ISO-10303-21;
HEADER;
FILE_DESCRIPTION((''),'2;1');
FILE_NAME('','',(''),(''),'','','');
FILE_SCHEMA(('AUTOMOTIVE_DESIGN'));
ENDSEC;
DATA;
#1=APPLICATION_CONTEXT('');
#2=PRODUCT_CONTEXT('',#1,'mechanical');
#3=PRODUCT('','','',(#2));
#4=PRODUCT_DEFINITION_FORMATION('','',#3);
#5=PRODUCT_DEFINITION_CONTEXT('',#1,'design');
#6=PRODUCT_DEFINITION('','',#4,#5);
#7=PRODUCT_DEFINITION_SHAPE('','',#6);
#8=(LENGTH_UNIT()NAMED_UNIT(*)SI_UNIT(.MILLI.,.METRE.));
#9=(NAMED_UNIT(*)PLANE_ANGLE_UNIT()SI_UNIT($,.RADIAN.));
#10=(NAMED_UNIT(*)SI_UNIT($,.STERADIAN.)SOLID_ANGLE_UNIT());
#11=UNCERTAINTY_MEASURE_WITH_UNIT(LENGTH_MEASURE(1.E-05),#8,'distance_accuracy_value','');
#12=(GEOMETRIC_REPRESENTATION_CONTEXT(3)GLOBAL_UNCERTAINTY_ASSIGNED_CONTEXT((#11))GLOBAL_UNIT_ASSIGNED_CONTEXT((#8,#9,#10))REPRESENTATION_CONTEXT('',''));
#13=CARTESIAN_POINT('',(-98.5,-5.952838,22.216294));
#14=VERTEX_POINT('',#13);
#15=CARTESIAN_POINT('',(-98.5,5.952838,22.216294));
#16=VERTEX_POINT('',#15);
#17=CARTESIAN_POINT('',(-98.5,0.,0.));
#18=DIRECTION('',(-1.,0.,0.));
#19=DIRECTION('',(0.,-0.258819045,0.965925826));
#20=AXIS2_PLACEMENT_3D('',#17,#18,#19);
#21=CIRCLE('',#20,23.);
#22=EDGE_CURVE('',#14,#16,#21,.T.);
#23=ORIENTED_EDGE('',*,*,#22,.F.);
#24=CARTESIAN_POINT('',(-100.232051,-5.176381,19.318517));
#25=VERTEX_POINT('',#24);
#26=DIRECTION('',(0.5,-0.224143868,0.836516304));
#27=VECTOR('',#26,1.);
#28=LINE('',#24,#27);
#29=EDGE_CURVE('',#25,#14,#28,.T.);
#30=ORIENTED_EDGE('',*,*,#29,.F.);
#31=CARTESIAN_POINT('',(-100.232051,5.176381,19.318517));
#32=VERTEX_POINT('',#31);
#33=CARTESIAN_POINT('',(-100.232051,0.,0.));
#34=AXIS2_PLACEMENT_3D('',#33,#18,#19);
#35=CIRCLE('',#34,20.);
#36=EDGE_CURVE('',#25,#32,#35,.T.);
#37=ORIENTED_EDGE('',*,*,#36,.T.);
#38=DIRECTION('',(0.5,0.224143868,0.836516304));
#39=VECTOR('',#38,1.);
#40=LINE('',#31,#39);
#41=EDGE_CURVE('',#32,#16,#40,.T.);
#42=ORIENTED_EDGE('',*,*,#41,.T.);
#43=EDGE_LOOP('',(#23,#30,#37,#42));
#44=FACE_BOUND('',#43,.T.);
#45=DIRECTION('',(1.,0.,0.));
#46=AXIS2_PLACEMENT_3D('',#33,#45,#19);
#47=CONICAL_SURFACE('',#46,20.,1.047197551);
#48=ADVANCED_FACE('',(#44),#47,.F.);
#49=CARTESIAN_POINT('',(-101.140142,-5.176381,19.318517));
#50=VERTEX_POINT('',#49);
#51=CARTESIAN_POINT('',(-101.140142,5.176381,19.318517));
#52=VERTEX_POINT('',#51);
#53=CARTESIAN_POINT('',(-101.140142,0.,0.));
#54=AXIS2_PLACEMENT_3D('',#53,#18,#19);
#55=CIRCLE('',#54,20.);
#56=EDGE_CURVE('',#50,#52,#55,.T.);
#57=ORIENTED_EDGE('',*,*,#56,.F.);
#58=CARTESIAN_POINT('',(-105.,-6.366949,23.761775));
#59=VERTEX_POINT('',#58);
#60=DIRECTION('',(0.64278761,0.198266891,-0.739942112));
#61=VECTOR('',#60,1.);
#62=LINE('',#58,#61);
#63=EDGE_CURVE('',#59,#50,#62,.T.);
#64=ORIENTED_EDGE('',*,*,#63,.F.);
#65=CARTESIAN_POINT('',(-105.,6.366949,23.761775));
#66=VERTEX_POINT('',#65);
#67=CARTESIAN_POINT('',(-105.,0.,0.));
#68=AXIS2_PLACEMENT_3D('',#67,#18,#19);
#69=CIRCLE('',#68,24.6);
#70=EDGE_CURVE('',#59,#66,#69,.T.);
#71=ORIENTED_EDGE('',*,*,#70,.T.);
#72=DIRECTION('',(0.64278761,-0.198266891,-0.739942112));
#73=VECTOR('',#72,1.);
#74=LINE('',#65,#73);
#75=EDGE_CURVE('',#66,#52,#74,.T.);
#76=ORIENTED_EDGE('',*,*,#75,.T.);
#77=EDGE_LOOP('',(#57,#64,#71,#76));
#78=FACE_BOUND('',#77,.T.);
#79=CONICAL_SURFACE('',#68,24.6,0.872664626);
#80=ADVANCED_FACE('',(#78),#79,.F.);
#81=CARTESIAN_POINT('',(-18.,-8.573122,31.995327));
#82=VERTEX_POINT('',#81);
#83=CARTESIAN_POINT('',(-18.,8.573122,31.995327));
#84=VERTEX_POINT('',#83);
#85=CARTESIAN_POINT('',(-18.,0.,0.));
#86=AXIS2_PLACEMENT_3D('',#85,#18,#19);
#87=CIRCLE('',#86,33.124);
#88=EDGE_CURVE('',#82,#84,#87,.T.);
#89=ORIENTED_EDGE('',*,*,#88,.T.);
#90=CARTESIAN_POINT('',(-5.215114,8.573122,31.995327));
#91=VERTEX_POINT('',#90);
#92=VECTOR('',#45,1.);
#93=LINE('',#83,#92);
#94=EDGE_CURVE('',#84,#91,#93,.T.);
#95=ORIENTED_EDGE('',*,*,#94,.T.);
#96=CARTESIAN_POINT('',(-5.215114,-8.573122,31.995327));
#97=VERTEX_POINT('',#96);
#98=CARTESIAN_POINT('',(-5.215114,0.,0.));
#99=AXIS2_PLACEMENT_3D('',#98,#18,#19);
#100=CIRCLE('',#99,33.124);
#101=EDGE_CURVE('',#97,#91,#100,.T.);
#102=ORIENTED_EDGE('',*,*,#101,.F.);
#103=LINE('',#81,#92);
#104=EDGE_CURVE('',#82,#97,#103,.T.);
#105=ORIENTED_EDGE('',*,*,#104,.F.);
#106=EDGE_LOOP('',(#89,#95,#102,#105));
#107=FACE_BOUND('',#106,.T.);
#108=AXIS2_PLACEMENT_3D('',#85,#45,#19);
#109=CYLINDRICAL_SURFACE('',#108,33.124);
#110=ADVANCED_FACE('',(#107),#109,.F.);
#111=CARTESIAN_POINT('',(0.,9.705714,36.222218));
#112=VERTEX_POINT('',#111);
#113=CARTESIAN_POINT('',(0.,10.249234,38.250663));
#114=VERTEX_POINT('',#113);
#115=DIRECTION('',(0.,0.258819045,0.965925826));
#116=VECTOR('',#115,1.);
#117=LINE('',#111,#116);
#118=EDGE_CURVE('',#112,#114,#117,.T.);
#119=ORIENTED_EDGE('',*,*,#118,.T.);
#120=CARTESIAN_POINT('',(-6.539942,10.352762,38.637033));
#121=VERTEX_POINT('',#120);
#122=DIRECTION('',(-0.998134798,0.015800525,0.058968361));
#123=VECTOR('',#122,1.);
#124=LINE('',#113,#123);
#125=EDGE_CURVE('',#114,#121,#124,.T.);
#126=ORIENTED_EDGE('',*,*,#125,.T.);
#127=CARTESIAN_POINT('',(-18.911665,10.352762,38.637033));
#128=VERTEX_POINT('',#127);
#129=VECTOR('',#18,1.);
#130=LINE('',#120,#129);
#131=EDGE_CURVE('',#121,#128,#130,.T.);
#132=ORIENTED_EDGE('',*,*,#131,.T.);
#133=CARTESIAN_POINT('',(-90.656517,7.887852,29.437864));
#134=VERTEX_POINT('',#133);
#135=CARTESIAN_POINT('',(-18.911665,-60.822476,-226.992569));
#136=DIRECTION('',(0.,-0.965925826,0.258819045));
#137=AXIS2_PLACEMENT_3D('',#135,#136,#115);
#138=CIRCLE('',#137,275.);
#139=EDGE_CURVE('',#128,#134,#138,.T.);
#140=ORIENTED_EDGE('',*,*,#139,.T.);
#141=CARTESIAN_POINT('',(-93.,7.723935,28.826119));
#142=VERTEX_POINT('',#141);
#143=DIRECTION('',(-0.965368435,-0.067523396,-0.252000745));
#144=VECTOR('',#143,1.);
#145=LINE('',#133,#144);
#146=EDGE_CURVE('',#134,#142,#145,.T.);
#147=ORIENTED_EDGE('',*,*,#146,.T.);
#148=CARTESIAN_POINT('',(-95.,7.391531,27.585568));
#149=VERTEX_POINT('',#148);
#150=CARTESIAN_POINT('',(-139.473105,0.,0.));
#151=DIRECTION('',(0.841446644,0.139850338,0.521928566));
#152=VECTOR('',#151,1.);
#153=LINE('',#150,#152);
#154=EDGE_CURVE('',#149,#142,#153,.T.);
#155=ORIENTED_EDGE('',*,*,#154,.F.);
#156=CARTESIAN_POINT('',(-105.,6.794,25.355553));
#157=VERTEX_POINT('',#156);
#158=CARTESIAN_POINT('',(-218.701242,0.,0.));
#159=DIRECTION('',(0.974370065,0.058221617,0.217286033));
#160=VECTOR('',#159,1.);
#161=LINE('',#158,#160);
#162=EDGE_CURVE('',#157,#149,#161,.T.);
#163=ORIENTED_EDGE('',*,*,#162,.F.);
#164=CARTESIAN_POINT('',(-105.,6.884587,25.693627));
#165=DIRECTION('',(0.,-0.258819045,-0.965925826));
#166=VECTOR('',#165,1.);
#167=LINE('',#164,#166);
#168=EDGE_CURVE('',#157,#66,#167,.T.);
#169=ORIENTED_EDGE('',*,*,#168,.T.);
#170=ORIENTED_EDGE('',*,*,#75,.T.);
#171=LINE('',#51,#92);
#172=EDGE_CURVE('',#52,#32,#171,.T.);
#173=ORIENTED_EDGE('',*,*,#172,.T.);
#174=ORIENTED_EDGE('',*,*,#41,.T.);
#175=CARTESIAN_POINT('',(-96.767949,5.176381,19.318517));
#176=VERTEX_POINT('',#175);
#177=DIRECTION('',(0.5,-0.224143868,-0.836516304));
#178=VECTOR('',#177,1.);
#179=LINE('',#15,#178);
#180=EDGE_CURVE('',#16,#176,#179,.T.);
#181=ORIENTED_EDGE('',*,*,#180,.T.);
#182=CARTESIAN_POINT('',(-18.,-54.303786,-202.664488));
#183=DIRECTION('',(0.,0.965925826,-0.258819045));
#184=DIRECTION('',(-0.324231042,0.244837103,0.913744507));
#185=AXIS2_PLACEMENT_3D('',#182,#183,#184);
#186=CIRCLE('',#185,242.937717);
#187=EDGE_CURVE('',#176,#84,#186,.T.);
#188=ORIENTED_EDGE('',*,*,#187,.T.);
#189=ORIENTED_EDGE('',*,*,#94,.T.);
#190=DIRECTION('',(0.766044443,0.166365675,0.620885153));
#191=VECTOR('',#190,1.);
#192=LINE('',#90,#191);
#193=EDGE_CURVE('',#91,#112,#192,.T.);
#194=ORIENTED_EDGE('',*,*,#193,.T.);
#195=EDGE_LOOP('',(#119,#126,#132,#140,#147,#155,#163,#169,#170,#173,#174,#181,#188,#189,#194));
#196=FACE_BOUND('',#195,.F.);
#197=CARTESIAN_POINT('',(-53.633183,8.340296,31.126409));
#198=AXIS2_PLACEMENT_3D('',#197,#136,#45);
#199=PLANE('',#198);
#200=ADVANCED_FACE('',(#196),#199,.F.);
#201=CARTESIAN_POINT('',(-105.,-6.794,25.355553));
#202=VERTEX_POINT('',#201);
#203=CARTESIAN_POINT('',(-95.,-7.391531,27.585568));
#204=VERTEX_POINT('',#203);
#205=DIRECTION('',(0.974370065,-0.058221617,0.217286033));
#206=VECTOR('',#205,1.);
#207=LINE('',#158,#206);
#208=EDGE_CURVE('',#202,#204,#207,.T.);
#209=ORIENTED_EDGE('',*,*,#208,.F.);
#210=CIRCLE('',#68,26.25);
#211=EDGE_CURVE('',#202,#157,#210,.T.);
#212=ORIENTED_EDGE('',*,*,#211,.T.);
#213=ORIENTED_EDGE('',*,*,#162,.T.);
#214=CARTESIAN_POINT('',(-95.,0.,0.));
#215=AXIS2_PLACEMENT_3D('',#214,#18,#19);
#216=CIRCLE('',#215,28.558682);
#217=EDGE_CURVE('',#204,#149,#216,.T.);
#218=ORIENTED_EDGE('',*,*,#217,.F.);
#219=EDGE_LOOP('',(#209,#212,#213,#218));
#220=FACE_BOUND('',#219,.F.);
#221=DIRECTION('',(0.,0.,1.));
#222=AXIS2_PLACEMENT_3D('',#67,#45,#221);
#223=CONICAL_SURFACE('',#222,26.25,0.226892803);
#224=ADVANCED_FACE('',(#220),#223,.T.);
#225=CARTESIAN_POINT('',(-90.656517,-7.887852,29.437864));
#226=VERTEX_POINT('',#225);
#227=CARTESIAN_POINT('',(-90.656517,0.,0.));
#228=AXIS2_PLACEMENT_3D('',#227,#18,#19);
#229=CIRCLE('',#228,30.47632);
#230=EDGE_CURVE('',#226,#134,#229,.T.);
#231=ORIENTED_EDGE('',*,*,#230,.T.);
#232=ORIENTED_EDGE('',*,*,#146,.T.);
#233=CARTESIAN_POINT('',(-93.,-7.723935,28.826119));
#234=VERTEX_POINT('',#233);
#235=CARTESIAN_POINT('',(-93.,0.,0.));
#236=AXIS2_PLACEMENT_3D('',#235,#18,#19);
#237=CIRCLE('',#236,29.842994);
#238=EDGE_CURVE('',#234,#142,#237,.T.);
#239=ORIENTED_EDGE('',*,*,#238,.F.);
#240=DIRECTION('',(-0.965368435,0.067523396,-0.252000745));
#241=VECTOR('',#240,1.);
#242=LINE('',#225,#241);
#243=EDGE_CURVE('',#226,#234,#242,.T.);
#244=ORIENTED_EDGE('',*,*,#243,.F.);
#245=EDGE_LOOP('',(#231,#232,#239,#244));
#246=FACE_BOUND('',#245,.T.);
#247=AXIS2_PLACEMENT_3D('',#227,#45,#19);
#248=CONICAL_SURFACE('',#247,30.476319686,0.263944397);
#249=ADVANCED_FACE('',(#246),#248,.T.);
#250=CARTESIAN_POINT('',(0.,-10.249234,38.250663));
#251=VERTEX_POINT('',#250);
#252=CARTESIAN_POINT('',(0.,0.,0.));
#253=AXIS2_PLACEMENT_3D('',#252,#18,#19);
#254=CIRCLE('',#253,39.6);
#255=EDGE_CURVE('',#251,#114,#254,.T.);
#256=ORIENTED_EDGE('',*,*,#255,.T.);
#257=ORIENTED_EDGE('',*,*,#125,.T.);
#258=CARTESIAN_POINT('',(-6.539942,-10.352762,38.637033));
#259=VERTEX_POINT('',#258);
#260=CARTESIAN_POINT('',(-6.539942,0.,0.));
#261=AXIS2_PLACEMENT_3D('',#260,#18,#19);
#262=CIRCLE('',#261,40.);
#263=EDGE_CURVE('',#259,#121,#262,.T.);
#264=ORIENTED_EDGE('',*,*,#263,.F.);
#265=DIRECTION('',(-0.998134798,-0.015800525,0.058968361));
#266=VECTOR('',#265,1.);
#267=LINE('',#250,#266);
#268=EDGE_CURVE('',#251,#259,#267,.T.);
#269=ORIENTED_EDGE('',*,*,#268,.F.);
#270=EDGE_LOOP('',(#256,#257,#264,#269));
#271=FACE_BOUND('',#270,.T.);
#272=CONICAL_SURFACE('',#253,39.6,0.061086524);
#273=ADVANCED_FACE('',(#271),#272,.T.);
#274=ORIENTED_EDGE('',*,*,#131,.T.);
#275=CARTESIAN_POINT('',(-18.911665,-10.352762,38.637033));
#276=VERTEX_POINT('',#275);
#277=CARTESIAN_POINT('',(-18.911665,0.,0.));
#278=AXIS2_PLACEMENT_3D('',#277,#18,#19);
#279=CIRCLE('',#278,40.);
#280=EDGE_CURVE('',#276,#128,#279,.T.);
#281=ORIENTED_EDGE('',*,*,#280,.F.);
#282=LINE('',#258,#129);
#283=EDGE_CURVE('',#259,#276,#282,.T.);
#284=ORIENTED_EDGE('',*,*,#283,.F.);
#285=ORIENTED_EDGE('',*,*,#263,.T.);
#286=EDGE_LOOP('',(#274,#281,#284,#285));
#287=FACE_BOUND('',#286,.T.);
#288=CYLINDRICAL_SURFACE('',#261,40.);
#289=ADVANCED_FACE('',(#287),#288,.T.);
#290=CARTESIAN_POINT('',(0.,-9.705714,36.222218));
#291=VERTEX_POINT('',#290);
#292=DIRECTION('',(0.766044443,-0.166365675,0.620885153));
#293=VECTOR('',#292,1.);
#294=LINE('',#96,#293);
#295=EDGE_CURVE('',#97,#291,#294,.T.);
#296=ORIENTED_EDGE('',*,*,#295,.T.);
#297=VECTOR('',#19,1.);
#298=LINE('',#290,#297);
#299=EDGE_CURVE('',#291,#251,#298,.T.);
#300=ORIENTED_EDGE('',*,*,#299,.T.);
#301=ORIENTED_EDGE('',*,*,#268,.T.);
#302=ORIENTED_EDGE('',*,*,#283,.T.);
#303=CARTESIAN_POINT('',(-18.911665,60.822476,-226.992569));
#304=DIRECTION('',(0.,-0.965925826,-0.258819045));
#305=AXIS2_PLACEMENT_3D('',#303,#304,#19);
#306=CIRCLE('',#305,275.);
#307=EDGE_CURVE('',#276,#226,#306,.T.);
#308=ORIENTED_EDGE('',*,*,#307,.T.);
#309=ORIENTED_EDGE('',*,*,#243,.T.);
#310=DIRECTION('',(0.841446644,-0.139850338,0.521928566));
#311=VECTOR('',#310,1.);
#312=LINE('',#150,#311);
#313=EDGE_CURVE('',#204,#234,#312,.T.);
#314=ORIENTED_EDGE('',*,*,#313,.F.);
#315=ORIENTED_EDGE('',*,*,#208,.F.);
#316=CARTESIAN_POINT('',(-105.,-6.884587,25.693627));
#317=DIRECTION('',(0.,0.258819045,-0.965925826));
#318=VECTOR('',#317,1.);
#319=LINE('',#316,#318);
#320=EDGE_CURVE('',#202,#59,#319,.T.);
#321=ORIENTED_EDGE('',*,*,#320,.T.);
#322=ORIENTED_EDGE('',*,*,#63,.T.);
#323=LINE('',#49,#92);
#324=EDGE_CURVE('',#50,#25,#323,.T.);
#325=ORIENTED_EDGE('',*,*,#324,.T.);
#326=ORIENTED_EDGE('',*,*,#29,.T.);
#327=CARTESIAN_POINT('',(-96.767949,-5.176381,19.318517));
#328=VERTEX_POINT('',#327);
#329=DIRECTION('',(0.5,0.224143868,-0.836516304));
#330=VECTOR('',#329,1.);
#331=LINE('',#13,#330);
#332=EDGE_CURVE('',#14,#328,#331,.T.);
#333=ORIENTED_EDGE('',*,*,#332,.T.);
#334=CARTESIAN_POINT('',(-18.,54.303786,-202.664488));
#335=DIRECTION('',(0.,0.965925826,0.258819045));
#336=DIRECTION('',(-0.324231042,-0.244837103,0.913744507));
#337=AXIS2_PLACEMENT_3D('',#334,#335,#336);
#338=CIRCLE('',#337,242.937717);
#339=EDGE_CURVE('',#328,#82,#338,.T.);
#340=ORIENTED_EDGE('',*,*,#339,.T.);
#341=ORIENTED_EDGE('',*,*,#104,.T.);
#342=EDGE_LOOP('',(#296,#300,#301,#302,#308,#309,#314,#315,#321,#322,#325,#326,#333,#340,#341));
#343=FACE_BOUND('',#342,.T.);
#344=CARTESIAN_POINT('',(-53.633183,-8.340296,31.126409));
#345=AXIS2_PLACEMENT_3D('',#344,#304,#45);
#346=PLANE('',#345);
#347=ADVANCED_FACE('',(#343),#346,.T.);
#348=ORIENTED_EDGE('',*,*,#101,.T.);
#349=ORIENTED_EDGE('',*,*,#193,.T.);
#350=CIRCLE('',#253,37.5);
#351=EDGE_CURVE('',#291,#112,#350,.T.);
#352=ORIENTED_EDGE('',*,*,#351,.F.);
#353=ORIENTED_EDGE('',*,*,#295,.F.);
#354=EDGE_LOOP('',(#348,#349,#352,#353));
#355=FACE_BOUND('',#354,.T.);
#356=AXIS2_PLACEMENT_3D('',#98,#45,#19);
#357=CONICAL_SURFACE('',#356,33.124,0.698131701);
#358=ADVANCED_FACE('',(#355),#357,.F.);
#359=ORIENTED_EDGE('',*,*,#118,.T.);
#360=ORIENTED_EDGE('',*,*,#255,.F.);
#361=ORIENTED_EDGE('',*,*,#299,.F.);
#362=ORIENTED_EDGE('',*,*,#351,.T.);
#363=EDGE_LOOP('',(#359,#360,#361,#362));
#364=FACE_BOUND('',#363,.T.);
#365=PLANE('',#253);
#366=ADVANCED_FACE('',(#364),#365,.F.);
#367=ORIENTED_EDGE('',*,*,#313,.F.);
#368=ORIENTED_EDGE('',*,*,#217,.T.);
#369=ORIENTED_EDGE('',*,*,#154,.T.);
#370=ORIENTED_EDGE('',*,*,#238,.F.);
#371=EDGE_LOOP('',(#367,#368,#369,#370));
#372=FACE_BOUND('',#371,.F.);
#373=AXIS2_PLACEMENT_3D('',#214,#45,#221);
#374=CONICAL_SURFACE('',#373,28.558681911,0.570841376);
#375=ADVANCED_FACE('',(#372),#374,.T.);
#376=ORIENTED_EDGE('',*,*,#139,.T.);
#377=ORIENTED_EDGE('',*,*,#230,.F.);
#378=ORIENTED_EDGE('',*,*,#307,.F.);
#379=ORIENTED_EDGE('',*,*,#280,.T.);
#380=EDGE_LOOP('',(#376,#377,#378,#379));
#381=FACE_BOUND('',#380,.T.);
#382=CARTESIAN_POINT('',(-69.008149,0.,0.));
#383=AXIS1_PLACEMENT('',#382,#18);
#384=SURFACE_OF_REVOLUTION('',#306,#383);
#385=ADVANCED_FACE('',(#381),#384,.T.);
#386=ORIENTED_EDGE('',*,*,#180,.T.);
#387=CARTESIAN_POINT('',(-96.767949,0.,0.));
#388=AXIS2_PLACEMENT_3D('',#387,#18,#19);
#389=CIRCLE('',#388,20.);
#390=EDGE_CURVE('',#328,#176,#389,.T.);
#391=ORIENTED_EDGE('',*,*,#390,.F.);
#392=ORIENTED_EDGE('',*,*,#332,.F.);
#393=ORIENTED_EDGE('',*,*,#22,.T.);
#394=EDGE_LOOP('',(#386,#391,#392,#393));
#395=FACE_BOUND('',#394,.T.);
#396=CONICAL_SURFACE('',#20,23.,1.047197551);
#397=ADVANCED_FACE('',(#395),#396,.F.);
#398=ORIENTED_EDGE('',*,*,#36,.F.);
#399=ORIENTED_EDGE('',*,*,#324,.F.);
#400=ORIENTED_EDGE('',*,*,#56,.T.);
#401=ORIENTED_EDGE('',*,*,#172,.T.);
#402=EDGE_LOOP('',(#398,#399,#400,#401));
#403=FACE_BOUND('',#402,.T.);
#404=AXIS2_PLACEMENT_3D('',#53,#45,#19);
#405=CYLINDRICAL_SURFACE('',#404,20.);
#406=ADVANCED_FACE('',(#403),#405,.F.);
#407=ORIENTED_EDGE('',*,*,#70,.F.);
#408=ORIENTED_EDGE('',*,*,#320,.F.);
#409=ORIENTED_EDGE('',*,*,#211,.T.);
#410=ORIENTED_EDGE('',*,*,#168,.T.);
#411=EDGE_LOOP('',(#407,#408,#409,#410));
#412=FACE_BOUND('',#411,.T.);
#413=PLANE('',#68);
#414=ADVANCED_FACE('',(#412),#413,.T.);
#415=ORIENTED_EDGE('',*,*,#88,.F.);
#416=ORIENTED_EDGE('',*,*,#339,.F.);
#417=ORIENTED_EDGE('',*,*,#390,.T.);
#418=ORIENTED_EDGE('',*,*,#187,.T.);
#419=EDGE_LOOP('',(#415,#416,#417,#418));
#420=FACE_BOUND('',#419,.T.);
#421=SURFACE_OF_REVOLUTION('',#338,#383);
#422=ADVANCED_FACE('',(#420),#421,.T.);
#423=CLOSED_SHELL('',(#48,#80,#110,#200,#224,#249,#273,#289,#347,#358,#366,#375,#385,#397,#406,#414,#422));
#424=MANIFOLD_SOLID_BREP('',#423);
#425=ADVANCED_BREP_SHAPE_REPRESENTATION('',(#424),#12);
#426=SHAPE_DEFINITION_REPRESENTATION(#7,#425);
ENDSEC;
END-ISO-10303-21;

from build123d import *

# Parameters (mm, degrees)
F1_ANGLE_BACK = 15
F1_ANGLE      = 30


with BuildPart() as f1:
    # F0 (on Front) → F1 (revolve)
    with BuildSketch(Plane.XZ, mode=Mode.PRIVATE) as f1_sk:
        with BuildLine():
            Line((-18, 33.124), (-5.2151137212, 33.124))
            Line((-5.2151137212, 33.124), (0, 37.5))
            Line((0, 37.5), (0, 39.6))
            Line((0, 39.6), (-6.5399421904, 40))
            Line((-6.5399421904, 40), (-18.9116653046, 40))
            ThreePointArc((-18.9116653046, 40), (-55.0987630492, 37.6086828346), (-90.6565165902, 30.476319686))
            Line((-90.6565165902, 30.476319686), (-105, 26.6))
            Line((-105, 26.6), (-105, 24.6))
            Line((-105, 24.6), (-101.1401416966, 20))
            Line((-101.1401416966, 20), (-100.2320508076, 20))
            Line((-100.2320508076, 20), (-98.5, 23))
            Line((-98.5, 23), (-96.7679491924, 20))
            ThreePointArc((-96.7679491924, 20), (-57.9268994413, 29.8205398211), (-18, 33.124))
        make_face()
    revolve(f1_sk.sketch.rotate(Axis((-69.0081492066, 0, 0), (-1, 0, 0)), -F1_ANGLE_BACK), axis=Axis((-69.0081492066, 0, 0), (-1, 0, 0)), revolution_arc=F1_ANGLE)

    # F2 (on Front) → F3 (revolve, cut)
    with BuildSketch(Plane.XZ):
        Polygon((-105, 26.6), (-105, 26.25), (-95, 28.5586819113), (-93, 29.84299439), align=None)
    revolve(axis=Axis((-59.7863905132, 0, 0), (-1, 0, 0)), mode=Mode.SUBTRACT)


solid = f1.part
